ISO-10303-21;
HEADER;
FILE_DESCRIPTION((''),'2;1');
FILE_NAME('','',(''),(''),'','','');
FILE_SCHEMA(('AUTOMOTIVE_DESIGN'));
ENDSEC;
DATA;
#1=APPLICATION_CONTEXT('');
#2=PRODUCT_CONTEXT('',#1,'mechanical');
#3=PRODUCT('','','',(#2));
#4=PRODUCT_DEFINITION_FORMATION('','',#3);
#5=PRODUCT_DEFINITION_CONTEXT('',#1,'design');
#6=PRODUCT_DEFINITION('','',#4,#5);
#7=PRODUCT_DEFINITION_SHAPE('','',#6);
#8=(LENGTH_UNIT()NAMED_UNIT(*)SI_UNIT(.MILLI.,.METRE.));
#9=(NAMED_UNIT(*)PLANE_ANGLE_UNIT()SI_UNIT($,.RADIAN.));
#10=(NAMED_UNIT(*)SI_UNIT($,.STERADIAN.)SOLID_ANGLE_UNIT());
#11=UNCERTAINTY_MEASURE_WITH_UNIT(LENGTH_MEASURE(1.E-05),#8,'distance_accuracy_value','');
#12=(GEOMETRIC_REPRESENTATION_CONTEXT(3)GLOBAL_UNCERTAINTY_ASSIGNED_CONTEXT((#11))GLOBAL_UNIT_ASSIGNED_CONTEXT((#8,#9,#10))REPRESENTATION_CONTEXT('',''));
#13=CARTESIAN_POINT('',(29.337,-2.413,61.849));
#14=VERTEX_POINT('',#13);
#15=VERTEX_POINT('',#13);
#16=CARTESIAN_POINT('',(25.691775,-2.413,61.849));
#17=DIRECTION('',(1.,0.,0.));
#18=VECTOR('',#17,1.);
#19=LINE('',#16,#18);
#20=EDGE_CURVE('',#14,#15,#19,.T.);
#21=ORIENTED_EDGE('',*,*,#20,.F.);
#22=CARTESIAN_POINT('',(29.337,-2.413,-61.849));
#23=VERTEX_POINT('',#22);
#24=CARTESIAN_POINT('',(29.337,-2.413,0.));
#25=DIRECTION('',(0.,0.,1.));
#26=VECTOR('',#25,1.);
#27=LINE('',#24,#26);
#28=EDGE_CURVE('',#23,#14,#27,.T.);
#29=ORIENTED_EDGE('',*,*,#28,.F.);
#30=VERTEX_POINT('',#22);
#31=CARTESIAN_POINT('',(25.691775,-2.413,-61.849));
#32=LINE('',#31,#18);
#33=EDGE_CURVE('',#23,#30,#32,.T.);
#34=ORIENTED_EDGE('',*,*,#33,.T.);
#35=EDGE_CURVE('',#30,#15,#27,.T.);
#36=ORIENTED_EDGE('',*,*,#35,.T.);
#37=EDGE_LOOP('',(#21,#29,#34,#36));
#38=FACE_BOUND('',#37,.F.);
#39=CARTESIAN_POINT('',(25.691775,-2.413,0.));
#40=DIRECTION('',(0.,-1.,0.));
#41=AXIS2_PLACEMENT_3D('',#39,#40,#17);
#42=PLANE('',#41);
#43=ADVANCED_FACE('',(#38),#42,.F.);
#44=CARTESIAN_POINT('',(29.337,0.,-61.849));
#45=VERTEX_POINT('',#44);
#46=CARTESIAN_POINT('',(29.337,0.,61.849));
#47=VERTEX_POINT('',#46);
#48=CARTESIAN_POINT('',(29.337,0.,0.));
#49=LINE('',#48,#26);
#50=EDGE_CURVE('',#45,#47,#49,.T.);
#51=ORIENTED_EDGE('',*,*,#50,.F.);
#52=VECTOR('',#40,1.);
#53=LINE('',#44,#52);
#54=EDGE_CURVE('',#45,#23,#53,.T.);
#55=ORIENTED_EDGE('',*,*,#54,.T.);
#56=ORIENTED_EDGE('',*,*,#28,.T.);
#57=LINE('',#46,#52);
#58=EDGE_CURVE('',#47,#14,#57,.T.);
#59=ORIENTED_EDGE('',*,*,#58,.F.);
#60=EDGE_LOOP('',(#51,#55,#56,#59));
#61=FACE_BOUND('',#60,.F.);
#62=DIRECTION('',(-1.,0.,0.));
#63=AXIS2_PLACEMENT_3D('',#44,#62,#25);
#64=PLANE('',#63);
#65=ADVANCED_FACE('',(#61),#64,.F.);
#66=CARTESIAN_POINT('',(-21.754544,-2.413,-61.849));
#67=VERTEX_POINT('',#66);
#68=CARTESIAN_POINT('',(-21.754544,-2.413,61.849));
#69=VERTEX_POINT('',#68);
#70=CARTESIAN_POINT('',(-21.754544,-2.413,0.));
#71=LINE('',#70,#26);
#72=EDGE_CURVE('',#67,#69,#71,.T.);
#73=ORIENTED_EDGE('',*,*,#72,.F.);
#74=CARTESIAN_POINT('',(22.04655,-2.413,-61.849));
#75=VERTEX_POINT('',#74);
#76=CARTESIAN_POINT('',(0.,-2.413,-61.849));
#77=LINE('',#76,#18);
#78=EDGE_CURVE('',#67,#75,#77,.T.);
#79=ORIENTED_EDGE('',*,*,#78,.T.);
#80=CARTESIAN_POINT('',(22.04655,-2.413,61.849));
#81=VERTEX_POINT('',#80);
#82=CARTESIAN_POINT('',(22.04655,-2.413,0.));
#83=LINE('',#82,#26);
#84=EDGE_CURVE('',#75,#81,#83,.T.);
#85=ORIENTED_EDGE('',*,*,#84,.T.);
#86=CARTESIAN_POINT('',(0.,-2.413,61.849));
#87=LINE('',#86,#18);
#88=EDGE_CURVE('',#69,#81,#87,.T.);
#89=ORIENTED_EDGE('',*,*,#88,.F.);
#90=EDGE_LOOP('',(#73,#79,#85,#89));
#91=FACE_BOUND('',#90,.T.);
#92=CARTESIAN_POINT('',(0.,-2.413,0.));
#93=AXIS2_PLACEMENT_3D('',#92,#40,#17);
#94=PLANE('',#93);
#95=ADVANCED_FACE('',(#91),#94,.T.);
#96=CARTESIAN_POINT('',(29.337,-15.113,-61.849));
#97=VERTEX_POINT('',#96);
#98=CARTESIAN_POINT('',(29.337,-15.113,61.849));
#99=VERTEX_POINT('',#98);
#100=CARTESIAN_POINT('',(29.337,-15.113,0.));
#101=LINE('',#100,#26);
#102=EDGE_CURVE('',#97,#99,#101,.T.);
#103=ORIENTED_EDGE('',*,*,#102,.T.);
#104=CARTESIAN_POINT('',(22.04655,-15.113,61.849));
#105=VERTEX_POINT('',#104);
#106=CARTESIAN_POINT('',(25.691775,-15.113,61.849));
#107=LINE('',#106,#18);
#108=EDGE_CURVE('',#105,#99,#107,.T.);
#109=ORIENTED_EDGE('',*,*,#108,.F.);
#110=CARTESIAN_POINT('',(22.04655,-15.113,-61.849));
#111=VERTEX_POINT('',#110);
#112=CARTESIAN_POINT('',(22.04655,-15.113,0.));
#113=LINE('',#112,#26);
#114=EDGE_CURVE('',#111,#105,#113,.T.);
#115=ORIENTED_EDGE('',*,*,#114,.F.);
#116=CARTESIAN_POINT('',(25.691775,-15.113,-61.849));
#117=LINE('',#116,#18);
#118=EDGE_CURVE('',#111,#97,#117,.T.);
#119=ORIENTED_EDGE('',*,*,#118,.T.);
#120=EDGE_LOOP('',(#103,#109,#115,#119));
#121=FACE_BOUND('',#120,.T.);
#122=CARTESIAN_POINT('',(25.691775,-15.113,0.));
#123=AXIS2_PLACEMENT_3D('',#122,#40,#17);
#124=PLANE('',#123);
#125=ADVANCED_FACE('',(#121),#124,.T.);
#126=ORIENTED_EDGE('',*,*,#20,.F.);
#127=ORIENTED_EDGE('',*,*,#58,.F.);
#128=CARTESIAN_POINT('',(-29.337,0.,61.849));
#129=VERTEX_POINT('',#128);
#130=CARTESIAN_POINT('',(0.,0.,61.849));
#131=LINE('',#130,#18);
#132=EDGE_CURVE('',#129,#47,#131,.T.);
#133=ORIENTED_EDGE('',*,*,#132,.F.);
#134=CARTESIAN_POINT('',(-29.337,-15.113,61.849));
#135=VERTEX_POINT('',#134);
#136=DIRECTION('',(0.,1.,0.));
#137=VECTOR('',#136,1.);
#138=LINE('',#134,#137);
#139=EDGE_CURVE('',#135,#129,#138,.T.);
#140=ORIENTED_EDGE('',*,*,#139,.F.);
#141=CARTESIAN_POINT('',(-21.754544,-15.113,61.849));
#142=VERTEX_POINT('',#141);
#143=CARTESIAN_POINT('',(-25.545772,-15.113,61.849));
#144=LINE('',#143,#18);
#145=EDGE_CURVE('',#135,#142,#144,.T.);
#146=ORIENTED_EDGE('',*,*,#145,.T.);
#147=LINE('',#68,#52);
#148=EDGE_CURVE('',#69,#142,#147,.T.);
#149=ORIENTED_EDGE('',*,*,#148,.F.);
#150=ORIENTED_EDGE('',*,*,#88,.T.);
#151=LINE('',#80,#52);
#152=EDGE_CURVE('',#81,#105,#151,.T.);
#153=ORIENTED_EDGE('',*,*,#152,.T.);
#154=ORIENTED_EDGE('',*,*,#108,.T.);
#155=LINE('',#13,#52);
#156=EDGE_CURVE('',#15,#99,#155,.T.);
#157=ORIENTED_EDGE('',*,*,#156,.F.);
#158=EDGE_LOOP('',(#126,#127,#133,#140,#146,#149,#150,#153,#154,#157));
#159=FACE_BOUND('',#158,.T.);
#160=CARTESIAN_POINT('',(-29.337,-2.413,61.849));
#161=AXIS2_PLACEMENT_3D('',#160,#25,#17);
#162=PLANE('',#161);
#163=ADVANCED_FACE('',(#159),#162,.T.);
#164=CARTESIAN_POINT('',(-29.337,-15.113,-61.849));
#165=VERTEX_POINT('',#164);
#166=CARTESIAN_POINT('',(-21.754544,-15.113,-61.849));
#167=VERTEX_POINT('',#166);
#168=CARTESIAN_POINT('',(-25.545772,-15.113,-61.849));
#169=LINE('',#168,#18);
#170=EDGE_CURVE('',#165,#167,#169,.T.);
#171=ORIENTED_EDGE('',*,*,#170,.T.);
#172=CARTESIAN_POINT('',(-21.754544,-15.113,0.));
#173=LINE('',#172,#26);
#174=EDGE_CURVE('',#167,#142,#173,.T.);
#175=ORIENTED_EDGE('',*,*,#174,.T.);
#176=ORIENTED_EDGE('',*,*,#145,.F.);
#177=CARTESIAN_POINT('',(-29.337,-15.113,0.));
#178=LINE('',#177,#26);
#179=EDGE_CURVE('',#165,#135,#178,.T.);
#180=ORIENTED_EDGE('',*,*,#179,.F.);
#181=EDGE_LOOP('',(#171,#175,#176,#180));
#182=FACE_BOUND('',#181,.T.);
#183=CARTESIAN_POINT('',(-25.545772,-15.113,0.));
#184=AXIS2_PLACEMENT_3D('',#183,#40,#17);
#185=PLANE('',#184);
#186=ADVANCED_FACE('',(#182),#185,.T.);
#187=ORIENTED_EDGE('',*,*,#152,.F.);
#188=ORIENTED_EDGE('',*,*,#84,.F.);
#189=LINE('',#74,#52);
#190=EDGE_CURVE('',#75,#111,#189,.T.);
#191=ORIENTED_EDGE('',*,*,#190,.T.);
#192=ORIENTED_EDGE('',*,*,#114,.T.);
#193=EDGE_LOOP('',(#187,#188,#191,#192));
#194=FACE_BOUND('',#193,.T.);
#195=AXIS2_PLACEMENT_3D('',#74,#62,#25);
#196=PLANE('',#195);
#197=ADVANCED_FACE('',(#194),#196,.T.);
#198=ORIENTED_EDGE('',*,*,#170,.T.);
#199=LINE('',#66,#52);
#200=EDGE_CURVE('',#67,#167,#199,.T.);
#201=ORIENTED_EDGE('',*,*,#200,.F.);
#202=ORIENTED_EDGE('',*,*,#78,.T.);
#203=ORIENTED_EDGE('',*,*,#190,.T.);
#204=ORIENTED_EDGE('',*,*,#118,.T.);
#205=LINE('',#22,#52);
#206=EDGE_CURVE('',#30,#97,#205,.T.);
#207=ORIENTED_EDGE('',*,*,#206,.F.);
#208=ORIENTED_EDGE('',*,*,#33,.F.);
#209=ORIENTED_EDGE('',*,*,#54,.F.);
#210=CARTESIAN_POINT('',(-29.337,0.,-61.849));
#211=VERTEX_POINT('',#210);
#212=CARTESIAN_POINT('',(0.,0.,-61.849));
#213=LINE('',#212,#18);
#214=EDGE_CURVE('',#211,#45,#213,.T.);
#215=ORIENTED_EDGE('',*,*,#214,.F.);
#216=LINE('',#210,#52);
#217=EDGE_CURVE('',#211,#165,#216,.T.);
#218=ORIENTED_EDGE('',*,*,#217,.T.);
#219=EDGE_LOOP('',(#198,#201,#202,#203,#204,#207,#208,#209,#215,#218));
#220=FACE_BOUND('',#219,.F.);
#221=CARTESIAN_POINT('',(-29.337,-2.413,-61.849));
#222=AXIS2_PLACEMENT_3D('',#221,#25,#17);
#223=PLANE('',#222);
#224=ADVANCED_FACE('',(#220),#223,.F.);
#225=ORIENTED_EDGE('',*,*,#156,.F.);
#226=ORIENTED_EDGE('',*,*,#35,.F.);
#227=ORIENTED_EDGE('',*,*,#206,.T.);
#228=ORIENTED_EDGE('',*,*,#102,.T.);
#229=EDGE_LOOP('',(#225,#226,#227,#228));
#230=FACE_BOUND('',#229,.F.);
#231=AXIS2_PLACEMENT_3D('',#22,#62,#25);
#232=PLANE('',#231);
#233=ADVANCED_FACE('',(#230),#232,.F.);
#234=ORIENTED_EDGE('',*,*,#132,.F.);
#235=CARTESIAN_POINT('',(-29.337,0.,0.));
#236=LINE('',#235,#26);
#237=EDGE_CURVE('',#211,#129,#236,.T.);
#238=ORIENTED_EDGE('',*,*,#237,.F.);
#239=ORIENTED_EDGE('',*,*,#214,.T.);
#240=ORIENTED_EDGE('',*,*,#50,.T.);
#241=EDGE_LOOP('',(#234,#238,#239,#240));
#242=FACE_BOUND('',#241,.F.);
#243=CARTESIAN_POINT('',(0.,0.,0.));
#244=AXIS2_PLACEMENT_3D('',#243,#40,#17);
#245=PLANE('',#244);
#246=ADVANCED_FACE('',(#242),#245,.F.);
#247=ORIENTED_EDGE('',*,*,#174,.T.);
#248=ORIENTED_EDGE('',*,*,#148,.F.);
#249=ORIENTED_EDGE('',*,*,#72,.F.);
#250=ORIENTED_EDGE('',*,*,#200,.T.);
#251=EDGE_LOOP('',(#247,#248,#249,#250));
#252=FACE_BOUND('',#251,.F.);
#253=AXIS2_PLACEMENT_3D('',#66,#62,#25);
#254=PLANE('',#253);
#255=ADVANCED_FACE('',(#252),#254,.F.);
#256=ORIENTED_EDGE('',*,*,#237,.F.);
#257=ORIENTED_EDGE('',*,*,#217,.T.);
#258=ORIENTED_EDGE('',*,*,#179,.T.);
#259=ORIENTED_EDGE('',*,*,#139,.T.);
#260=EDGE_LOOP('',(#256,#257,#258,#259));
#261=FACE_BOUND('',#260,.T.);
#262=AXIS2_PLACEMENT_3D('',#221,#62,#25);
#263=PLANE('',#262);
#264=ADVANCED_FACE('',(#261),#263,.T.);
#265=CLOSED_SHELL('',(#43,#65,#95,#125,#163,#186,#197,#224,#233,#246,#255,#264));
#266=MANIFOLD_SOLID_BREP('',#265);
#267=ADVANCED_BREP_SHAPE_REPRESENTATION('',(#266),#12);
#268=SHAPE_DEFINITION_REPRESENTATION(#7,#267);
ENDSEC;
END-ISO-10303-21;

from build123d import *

# Parameters (mm, degrees)
F0_W     = 58.674
F0_H     = 123.698
F1_DEPTH = 2.413
F2_W     = 7.582456
F2_H     = 123.698
F2_W_2   = 7.290451
F3_DEPTH = 12.7


with BuildPart() as f1:
    # F0 (on Front) → F1 (new body)
    with BuildSketch(Plane.XZ):
        Rectangle(F0_W, F0_H)
    extrude(amount=F1_DEPTH)

    # F2 (on face) → F3 (join)
    with BuildSketch(Plane.XZ.offset(2.413)):
        with Locations((-25.545772, 0)):
            Rectangle(F2_W, F2_H)
        with Locations((25.691775, 0)):
            Rectangle(F2_W_2, F2_H)
    extrude(amount=F3_DEPTH)


solid = f1.part
